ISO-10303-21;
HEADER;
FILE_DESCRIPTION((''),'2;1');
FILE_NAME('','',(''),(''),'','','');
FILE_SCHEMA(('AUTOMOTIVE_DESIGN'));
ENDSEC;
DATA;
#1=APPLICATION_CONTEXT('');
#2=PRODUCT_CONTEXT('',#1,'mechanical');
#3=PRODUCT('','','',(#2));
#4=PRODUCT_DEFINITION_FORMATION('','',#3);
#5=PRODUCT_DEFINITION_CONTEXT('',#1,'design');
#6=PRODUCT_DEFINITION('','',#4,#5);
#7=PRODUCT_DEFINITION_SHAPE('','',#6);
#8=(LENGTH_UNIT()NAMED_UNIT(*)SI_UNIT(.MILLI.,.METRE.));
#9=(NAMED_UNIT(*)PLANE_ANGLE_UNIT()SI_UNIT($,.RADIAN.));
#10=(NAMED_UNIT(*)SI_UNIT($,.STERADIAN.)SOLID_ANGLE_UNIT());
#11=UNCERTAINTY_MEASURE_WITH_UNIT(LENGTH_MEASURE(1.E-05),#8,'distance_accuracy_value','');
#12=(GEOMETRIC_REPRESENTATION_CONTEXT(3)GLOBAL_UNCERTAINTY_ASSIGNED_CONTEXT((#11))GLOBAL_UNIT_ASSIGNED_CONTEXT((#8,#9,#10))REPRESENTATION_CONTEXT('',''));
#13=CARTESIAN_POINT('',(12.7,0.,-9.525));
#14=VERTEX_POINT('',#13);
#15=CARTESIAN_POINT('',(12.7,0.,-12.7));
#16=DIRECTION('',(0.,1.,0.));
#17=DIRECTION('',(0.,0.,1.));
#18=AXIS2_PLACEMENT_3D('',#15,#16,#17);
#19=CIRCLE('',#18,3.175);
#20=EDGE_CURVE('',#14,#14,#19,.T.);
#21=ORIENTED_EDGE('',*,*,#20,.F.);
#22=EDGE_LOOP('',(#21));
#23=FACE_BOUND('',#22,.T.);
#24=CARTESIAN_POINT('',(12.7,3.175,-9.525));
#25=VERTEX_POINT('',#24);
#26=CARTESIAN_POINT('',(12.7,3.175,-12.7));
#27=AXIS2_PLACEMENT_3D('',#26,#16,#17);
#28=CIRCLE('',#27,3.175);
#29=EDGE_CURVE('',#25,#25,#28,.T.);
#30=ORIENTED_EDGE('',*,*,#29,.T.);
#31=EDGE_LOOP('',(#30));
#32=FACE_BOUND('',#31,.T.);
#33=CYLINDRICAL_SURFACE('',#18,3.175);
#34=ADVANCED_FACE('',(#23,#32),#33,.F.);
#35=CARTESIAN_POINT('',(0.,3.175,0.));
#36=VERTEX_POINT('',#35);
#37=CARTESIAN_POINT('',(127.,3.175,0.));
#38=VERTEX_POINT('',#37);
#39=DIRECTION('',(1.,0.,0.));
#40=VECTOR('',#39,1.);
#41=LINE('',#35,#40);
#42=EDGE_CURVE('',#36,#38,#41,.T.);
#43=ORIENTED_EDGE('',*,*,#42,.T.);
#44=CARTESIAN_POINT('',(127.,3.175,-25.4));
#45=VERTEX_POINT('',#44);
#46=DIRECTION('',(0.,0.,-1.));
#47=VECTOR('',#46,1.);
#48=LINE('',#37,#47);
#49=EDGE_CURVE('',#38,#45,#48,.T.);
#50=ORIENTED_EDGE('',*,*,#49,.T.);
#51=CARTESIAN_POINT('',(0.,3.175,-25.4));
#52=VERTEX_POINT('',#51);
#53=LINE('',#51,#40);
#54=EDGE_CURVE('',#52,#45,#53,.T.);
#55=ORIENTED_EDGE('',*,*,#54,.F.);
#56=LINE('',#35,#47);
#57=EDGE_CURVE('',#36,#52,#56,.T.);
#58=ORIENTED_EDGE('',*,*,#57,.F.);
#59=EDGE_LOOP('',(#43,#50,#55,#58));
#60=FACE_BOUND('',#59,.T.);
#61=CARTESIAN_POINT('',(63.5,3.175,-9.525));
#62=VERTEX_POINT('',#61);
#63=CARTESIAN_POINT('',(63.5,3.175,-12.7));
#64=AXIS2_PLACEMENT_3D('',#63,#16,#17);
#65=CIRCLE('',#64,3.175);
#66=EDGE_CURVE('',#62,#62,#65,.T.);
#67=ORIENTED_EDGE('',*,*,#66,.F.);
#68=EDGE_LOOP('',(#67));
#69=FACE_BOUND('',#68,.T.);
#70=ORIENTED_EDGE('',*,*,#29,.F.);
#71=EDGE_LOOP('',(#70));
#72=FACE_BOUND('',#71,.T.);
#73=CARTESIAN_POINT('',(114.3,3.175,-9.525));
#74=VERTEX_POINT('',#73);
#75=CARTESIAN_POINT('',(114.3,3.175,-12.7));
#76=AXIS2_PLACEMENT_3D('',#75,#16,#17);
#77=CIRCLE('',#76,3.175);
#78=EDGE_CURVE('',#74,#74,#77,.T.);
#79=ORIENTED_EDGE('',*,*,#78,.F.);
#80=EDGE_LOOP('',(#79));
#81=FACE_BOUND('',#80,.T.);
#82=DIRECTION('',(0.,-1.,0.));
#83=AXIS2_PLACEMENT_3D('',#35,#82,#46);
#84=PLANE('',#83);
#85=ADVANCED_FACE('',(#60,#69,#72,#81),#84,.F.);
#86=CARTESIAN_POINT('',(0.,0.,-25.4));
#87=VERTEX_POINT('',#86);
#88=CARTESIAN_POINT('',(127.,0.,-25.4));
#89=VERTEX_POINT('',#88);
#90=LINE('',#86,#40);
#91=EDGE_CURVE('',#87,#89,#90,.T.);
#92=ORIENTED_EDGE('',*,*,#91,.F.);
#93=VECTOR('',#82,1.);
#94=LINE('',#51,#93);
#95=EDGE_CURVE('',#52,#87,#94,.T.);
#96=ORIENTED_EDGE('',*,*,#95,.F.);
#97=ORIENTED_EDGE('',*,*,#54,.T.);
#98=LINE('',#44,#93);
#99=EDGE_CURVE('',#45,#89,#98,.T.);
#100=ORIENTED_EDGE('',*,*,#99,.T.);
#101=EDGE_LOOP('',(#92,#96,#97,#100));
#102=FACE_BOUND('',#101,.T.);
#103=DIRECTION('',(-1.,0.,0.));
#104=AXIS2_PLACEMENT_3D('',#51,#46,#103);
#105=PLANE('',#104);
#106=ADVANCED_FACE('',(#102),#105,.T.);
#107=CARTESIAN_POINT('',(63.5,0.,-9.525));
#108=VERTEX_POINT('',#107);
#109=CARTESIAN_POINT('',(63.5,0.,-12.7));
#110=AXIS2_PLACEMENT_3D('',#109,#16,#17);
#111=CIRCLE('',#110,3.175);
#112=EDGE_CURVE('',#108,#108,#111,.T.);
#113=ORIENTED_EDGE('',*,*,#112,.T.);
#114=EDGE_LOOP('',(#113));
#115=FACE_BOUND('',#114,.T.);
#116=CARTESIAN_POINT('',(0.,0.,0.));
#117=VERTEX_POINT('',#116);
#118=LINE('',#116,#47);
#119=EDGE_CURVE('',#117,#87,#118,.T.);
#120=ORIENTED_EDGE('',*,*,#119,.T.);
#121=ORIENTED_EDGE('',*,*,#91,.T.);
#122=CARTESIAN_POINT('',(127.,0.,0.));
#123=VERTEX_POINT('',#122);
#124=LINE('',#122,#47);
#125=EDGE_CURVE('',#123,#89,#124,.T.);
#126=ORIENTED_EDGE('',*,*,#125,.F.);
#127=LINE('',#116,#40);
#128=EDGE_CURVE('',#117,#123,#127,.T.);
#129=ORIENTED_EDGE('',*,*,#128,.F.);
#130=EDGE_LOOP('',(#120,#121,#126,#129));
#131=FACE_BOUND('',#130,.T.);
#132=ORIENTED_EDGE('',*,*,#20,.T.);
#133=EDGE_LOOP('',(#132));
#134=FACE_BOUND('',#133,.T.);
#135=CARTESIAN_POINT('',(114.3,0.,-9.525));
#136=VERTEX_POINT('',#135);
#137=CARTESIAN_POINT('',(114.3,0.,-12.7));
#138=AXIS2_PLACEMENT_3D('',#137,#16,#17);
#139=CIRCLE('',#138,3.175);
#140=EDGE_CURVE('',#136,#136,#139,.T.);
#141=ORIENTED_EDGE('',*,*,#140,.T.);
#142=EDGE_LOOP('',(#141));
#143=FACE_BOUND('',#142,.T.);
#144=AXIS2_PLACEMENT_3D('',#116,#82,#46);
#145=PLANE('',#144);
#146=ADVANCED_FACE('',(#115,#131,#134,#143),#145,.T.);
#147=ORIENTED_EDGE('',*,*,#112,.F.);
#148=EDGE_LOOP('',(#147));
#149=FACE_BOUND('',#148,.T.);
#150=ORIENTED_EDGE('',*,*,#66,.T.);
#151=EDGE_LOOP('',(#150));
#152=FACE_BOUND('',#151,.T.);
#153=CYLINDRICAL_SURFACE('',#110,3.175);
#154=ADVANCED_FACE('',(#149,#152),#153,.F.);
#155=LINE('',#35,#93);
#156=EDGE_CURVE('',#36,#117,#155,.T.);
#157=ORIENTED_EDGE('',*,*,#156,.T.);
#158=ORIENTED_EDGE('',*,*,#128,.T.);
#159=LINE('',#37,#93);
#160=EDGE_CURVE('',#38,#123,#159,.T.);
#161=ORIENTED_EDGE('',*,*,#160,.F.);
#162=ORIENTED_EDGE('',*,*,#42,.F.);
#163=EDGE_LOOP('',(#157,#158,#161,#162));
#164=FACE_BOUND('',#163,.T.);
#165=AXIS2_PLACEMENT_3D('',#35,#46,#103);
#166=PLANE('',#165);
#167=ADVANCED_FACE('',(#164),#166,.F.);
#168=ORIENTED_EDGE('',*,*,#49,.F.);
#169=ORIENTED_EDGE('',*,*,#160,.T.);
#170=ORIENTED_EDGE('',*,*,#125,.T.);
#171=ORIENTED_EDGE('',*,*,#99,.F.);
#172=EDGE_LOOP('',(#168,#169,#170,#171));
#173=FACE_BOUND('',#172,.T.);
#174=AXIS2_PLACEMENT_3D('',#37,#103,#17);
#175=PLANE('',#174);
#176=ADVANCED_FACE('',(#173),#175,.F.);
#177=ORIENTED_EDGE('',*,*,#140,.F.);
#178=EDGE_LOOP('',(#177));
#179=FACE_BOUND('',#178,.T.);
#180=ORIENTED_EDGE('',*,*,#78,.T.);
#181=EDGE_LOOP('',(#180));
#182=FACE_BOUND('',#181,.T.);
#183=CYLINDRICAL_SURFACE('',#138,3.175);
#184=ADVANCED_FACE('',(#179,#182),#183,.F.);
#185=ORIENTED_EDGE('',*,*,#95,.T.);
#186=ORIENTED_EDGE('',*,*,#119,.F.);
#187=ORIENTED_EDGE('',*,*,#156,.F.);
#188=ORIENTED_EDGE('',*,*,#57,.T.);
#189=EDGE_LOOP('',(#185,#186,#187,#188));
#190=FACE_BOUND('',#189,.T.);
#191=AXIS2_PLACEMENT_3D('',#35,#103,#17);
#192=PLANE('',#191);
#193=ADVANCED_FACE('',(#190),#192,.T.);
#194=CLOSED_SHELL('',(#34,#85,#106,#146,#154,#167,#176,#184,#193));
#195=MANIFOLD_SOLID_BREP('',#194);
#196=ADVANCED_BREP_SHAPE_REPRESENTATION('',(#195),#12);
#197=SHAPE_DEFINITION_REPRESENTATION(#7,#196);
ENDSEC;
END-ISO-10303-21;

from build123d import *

# Parameters (mm, degrees)
SKETCH1_W           = 127
SKETCH1_H           = 25.4
BOSS_EXTRUDE1_DEPTH = 3.175
SKETCH2_R           = 3.175
CUT_EXTRUDE1_DEPTH  = 3.175


with BuildPart() as part:
    # Sketch1 → Boss-Extrude1 (new body)
    with BuildSketch(Plane(origin=(0, 0, 0), x_dir=(1, 0, 0), z_dir=(0, 1, 0))):
        with Locations((63.5, 12.7)):
            Rectangle(SKETCH1_W, SKETCH1_H)
    extrude(amount=BOSS_EXTRUDE1_DEPTH)

    # Sketch2 → Cut-Extrude1 (cut)
    with BuildSketch(Plane(origin=(0, 3.175, 0), x_dir=(1, 0, 0), z_dir=(0, 1, 0))):
        with Locations(Location((12.7, 12.7, 0), (0, 0, 270))):
            Circle(SKETCH2_R)
        with Locations(Location((114.3, 12.7, 0), (0, 0, 270))):
            Circle(SKETCH2_R)
        with Locations(Location((63.5, 12.7, 0), (0, 0, 270))):
            Circle(SKETCH2_R)
    extrude(amount=-CUT_EXTRUDE1_DEPTH, mode=Mode.SUBTRACT)


solid = part.part
